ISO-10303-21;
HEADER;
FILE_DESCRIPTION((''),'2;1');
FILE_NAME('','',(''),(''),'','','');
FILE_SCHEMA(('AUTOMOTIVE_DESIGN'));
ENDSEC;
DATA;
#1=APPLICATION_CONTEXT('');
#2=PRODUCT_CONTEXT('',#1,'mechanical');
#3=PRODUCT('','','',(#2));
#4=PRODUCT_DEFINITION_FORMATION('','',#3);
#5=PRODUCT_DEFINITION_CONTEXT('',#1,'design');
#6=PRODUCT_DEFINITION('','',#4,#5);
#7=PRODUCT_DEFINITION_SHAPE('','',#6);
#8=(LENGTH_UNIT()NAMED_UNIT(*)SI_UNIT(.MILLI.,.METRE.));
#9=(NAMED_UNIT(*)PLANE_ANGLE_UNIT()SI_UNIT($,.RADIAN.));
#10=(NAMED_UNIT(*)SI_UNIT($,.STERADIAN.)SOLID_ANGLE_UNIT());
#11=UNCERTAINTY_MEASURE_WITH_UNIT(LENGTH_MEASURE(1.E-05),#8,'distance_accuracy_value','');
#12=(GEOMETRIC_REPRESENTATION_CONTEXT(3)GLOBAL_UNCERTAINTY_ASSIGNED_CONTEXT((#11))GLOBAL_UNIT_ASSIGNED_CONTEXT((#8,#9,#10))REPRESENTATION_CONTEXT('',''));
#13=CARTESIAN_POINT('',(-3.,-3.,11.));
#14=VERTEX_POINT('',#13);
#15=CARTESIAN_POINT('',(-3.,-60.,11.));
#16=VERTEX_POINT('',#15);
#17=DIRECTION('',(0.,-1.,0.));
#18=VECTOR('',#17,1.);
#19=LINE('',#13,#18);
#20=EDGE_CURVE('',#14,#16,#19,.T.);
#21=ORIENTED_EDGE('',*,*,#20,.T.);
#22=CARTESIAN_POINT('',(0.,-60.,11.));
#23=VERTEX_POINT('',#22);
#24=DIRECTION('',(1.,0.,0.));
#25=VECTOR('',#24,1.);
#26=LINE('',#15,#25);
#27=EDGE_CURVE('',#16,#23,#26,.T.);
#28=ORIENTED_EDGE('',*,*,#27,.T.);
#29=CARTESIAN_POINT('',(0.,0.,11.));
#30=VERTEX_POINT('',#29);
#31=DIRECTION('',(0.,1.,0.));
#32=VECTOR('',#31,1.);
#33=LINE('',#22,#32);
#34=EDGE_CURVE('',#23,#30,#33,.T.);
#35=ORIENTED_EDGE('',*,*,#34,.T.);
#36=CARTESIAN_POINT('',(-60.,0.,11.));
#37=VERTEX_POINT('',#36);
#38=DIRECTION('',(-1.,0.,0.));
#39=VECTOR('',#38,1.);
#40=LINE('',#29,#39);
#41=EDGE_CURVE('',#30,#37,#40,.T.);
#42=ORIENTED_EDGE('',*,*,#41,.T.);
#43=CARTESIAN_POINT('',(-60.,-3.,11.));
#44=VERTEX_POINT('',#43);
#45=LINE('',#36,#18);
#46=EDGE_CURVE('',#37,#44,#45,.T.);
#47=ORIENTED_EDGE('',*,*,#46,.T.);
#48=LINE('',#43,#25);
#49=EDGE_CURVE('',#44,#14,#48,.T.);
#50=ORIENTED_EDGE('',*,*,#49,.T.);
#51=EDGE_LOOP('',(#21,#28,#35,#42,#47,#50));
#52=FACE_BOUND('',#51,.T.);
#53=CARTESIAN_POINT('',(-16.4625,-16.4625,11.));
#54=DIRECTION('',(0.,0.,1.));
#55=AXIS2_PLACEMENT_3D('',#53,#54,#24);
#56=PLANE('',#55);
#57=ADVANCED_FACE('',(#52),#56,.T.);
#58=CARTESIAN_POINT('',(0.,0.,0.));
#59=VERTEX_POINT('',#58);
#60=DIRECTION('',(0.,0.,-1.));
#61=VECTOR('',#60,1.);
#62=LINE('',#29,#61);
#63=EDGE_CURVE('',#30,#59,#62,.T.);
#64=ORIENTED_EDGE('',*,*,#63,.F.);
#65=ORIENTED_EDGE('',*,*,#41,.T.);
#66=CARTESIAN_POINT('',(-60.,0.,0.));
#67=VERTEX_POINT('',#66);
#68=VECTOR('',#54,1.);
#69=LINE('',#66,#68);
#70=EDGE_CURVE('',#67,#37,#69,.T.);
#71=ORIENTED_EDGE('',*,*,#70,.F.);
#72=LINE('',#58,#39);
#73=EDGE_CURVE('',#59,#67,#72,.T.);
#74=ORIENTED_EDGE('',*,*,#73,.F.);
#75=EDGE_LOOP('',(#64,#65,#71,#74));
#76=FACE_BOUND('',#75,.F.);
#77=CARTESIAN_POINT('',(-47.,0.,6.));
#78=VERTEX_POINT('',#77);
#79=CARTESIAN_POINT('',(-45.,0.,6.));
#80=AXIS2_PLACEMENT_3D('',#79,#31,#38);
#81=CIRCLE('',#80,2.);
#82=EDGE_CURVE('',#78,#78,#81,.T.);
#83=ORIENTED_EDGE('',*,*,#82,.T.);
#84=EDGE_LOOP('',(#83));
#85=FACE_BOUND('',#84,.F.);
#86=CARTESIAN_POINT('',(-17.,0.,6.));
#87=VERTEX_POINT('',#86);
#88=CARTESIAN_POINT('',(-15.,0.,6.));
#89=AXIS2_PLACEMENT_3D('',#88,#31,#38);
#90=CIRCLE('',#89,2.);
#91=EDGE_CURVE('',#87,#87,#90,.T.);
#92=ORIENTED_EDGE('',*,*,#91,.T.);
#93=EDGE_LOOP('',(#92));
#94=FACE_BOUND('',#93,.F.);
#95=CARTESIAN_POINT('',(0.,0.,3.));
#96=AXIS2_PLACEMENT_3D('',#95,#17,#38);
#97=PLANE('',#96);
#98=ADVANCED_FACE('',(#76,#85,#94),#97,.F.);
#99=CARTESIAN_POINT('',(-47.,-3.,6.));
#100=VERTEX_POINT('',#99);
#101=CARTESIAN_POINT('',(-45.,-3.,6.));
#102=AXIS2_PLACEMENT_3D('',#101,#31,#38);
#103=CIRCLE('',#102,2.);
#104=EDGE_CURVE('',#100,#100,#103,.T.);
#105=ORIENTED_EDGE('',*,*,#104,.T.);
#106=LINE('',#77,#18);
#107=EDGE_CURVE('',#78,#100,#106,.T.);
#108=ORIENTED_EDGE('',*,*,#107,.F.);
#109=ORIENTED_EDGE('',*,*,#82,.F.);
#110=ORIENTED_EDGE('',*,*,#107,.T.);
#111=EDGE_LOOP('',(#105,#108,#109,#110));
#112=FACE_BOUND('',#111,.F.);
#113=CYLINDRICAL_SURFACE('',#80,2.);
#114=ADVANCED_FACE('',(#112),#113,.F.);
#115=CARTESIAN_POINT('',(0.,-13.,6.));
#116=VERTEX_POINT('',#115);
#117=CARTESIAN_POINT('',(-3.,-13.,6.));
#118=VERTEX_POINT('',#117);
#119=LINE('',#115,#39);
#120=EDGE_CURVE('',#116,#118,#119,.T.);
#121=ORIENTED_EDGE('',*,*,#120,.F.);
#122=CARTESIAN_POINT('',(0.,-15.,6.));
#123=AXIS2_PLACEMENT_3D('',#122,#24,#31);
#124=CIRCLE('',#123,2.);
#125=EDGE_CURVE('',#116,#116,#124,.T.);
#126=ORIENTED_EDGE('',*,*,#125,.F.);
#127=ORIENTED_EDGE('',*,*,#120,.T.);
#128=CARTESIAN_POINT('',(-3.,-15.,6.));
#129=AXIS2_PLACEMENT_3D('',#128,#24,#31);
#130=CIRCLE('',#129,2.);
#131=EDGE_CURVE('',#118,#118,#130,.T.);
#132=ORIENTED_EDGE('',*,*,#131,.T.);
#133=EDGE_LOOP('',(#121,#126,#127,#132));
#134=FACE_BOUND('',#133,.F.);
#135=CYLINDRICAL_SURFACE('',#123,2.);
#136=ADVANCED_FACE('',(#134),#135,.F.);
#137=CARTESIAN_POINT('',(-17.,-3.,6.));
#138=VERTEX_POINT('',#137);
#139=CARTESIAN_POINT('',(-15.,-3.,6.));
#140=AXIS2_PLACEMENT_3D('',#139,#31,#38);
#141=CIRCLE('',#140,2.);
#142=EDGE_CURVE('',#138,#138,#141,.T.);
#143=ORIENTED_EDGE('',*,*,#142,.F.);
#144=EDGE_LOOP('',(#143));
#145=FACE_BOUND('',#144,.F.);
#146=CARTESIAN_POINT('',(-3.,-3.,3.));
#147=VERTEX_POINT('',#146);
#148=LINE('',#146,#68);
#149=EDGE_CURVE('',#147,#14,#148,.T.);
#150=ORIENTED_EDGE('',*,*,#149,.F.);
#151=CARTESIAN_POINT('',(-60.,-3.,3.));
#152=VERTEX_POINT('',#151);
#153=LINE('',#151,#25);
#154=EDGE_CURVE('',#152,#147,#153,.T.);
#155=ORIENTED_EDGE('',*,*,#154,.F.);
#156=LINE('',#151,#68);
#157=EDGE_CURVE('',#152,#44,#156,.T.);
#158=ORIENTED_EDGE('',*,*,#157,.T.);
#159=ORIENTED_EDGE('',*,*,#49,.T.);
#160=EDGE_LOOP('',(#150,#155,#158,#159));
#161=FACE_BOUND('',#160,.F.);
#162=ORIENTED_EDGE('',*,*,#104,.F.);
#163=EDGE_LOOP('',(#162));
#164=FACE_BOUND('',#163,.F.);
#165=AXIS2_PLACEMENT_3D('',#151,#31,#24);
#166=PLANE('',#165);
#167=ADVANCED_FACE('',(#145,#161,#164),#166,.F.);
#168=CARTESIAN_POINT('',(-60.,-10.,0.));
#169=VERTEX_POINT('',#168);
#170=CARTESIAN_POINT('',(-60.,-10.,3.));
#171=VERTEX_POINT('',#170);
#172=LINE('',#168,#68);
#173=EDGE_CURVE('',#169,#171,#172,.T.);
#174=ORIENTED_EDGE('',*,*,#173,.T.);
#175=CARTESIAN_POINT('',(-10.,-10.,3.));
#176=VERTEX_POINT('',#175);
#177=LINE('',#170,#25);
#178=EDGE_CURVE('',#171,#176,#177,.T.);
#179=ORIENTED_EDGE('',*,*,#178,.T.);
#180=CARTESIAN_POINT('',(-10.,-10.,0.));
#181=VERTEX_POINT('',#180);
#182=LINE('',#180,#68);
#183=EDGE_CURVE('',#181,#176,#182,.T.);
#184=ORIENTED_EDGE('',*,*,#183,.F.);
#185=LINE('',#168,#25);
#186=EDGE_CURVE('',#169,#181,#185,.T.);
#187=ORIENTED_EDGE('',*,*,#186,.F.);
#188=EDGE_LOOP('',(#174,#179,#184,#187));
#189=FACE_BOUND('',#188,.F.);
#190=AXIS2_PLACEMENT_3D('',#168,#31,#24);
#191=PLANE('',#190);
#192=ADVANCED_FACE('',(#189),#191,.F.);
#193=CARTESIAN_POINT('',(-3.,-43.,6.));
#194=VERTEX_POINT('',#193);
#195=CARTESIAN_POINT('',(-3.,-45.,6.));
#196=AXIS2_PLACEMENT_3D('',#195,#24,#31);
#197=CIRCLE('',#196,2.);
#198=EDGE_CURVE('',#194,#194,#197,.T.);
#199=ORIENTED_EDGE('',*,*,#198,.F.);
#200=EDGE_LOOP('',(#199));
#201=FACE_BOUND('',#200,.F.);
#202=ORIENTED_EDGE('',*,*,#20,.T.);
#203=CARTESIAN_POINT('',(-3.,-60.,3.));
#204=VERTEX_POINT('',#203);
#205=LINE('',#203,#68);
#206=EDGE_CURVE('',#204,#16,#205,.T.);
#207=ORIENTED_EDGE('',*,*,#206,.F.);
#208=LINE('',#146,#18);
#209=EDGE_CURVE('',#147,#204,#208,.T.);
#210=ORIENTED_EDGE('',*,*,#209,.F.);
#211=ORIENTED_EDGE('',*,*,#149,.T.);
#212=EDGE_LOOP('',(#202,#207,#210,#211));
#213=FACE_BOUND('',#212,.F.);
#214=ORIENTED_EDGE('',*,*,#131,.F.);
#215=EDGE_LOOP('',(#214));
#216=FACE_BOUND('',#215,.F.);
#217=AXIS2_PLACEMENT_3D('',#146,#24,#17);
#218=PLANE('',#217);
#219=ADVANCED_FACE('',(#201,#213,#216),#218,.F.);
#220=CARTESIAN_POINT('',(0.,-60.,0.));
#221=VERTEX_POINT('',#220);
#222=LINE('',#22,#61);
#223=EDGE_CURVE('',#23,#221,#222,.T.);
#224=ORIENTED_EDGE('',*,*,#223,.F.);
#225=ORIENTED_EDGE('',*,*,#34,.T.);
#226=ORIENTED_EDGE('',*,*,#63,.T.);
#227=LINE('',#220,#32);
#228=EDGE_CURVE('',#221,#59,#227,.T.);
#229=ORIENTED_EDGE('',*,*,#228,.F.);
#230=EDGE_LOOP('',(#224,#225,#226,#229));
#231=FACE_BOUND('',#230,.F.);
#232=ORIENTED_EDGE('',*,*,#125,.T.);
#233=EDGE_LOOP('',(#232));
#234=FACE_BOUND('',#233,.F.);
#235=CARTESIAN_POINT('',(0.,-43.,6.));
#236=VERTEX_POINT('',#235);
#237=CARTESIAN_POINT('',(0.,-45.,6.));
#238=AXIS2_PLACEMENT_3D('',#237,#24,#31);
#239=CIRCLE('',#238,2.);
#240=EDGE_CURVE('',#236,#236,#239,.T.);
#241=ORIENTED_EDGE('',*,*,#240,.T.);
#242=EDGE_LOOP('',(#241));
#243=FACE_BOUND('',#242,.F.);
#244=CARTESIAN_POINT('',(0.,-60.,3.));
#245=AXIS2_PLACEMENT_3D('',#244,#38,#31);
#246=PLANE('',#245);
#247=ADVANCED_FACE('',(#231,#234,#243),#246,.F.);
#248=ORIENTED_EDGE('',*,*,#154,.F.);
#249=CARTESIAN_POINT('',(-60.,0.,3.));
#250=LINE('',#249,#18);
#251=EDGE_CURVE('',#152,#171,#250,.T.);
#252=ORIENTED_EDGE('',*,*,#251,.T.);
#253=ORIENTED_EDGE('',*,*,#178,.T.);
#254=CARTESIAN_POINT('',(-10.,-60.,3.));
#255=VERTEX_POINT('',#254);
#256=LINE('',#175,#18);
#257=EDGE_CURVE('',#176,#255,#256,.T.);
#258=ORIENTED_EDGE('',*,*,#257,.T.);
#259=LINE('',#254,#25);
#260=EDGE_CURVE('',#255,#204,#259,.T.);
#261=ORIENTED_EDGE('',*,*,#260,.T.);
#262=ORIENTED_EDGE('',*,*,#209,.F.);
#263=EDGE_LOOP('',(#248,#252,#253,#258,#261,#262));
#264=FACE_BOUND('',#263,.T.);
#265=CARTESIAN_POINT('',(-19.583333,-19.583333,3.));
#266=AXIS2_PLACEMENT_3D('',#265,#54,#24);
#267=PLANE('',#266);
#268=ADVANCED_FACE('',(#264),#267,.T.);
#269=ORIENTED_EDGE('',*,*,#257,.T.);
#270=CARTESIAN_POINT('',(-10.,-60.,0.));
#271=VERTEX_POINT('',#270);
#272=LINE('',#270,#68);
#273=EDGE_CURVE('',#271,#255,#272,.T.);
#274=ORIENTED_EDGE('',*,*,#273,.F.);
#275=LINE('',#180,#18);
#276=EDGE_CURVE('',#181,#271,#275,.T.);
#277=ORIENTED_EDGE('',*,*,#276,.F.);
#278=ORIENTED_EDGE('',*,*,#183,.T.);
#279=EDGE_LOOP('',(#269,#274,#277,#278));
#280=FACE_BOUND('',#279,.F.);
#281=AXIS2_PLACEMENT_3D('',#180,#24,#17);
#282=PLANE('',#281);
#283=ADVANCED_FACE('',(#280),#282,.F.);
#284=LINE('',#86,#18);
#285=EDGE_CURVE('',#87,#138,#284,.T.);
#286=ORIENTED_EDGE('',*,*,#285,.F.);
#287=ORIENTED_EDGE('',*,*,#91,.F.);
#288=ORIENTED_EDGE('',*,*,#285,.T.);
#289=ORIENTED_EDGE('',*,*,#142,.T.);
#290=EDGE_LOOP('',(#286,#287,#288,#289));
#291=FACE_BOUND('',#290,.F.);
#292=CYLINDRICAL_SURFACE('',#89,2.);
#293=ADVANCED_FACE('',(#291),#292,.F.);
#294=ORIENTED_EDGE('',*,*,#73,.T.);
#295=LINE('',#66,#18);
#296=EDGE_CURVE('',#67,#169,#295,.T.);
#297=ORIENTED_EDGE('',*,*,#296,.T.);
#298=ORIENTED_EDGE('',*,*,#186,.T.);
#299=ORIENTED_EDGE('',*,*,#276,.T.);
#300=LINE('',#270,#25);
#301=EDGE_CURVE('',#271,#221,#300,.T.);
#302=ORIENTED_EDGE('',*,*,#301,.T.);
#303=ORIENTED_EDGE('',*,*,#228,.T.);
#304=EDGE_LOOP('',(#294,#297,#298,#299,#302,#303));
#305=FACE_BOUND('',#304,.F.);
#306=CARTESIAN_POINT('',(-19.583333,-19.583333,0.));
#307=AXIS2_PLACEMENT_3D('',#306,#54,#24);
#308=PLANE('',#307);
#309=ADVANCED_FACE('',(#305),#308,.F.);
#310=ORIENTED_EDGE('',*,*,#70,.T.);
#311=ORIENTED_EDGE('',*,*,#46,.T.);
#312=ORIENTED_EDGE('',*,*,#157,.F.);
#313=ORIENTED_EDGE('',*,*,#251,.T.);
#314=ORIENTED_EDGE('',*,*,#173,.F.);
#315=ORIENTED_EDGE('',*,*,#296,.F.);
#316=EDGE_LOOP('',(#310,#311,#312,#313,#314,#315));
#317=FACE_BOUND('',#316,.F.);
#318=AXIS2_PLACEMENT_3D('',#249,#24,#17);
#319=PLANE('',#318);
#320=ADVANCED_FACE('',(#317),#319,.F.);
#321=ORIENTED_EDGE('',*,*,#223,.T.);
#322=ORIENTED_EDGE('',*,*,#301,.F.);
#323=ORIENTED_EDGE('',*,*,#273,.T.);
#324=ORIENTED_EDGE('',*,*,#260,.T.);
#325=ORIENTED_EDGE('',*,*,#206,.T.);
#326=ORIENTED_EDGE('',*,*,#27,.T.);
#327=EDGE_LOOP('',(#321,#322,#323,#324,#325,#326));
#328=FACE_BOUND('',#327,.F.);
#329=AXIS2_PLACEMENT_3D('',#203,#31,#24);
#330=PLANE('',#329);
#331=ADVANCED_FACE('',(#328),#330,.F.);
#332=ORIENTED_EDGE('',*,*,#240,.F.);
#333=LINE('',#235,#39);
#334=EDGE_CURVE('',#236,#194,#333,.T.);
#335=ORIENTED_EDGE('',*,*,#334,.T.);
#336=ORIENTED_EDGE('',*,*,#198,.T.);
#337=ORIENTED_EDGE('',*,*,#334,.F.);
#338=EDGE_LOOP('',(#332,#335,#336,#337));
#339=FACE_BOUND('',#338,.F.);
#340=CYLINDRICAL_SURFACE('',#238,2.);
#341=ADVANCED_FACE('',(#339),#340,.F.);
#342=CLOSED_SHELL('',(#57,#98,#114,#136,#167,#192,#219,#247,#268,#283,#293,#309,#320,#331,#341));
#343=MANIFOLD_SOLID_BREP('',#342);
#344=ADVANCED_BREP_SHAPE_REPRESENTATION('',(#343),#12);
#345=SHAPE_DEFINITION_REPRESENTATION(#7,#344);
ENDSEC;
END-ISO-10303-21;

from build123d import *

# Parameters (mm, degrees)
F1_DEPTH = 3
F3_DEPTH = 8
F4_R     = 2
F5_DEPTH = 4
F6_R     = 2
F7_DEPTH = 6


with BuildPart() as f1:
    # F0 (on Top) → F1 (new body)
    with BuildSketch(Plane.XY):
        Polygon((0, 0), (-60, 0), (-60, -10), (-10, -10), (-10, -60), (0, -60), align=None)
    extrude(amount=F1_DEPTH)

    # F2 (on face) → F3 (join)
    with BuildSketch(Plane.XY.offset(3)):
        Polygon((0, 0), (-60, 0), (-60, -3), (-3, -3), (-3, -60), (0, -60), align=None)
    extrude(amount=F3_DEPTH)

    # F4 (on face) → F5 (cut)
    with BuildSketch(Plane.YZ):
        with Locations((-15, 6)):
            Circle(F4_R)
        with Locations((-45, 6)):
            Circle(F4_R)
    extrude(amount=-F5_DEPTH, mode=Mode.SUBTRACT)

    # F6 (on face) → F7 (cut)
    with BuildSketch(Plane(origin=(0, 0, 0), x_dir=(-1, 0, 0), z_dir=(0, 1, 0))):
        with Locations((45, 6)):
            Circle(F6_R)
        with Locations((15, 6)):
            Circle(F6_R)
    extrude(amount=-F7_DEPTH, mode=Mode.SUBTRACT)


solid = f1.part
